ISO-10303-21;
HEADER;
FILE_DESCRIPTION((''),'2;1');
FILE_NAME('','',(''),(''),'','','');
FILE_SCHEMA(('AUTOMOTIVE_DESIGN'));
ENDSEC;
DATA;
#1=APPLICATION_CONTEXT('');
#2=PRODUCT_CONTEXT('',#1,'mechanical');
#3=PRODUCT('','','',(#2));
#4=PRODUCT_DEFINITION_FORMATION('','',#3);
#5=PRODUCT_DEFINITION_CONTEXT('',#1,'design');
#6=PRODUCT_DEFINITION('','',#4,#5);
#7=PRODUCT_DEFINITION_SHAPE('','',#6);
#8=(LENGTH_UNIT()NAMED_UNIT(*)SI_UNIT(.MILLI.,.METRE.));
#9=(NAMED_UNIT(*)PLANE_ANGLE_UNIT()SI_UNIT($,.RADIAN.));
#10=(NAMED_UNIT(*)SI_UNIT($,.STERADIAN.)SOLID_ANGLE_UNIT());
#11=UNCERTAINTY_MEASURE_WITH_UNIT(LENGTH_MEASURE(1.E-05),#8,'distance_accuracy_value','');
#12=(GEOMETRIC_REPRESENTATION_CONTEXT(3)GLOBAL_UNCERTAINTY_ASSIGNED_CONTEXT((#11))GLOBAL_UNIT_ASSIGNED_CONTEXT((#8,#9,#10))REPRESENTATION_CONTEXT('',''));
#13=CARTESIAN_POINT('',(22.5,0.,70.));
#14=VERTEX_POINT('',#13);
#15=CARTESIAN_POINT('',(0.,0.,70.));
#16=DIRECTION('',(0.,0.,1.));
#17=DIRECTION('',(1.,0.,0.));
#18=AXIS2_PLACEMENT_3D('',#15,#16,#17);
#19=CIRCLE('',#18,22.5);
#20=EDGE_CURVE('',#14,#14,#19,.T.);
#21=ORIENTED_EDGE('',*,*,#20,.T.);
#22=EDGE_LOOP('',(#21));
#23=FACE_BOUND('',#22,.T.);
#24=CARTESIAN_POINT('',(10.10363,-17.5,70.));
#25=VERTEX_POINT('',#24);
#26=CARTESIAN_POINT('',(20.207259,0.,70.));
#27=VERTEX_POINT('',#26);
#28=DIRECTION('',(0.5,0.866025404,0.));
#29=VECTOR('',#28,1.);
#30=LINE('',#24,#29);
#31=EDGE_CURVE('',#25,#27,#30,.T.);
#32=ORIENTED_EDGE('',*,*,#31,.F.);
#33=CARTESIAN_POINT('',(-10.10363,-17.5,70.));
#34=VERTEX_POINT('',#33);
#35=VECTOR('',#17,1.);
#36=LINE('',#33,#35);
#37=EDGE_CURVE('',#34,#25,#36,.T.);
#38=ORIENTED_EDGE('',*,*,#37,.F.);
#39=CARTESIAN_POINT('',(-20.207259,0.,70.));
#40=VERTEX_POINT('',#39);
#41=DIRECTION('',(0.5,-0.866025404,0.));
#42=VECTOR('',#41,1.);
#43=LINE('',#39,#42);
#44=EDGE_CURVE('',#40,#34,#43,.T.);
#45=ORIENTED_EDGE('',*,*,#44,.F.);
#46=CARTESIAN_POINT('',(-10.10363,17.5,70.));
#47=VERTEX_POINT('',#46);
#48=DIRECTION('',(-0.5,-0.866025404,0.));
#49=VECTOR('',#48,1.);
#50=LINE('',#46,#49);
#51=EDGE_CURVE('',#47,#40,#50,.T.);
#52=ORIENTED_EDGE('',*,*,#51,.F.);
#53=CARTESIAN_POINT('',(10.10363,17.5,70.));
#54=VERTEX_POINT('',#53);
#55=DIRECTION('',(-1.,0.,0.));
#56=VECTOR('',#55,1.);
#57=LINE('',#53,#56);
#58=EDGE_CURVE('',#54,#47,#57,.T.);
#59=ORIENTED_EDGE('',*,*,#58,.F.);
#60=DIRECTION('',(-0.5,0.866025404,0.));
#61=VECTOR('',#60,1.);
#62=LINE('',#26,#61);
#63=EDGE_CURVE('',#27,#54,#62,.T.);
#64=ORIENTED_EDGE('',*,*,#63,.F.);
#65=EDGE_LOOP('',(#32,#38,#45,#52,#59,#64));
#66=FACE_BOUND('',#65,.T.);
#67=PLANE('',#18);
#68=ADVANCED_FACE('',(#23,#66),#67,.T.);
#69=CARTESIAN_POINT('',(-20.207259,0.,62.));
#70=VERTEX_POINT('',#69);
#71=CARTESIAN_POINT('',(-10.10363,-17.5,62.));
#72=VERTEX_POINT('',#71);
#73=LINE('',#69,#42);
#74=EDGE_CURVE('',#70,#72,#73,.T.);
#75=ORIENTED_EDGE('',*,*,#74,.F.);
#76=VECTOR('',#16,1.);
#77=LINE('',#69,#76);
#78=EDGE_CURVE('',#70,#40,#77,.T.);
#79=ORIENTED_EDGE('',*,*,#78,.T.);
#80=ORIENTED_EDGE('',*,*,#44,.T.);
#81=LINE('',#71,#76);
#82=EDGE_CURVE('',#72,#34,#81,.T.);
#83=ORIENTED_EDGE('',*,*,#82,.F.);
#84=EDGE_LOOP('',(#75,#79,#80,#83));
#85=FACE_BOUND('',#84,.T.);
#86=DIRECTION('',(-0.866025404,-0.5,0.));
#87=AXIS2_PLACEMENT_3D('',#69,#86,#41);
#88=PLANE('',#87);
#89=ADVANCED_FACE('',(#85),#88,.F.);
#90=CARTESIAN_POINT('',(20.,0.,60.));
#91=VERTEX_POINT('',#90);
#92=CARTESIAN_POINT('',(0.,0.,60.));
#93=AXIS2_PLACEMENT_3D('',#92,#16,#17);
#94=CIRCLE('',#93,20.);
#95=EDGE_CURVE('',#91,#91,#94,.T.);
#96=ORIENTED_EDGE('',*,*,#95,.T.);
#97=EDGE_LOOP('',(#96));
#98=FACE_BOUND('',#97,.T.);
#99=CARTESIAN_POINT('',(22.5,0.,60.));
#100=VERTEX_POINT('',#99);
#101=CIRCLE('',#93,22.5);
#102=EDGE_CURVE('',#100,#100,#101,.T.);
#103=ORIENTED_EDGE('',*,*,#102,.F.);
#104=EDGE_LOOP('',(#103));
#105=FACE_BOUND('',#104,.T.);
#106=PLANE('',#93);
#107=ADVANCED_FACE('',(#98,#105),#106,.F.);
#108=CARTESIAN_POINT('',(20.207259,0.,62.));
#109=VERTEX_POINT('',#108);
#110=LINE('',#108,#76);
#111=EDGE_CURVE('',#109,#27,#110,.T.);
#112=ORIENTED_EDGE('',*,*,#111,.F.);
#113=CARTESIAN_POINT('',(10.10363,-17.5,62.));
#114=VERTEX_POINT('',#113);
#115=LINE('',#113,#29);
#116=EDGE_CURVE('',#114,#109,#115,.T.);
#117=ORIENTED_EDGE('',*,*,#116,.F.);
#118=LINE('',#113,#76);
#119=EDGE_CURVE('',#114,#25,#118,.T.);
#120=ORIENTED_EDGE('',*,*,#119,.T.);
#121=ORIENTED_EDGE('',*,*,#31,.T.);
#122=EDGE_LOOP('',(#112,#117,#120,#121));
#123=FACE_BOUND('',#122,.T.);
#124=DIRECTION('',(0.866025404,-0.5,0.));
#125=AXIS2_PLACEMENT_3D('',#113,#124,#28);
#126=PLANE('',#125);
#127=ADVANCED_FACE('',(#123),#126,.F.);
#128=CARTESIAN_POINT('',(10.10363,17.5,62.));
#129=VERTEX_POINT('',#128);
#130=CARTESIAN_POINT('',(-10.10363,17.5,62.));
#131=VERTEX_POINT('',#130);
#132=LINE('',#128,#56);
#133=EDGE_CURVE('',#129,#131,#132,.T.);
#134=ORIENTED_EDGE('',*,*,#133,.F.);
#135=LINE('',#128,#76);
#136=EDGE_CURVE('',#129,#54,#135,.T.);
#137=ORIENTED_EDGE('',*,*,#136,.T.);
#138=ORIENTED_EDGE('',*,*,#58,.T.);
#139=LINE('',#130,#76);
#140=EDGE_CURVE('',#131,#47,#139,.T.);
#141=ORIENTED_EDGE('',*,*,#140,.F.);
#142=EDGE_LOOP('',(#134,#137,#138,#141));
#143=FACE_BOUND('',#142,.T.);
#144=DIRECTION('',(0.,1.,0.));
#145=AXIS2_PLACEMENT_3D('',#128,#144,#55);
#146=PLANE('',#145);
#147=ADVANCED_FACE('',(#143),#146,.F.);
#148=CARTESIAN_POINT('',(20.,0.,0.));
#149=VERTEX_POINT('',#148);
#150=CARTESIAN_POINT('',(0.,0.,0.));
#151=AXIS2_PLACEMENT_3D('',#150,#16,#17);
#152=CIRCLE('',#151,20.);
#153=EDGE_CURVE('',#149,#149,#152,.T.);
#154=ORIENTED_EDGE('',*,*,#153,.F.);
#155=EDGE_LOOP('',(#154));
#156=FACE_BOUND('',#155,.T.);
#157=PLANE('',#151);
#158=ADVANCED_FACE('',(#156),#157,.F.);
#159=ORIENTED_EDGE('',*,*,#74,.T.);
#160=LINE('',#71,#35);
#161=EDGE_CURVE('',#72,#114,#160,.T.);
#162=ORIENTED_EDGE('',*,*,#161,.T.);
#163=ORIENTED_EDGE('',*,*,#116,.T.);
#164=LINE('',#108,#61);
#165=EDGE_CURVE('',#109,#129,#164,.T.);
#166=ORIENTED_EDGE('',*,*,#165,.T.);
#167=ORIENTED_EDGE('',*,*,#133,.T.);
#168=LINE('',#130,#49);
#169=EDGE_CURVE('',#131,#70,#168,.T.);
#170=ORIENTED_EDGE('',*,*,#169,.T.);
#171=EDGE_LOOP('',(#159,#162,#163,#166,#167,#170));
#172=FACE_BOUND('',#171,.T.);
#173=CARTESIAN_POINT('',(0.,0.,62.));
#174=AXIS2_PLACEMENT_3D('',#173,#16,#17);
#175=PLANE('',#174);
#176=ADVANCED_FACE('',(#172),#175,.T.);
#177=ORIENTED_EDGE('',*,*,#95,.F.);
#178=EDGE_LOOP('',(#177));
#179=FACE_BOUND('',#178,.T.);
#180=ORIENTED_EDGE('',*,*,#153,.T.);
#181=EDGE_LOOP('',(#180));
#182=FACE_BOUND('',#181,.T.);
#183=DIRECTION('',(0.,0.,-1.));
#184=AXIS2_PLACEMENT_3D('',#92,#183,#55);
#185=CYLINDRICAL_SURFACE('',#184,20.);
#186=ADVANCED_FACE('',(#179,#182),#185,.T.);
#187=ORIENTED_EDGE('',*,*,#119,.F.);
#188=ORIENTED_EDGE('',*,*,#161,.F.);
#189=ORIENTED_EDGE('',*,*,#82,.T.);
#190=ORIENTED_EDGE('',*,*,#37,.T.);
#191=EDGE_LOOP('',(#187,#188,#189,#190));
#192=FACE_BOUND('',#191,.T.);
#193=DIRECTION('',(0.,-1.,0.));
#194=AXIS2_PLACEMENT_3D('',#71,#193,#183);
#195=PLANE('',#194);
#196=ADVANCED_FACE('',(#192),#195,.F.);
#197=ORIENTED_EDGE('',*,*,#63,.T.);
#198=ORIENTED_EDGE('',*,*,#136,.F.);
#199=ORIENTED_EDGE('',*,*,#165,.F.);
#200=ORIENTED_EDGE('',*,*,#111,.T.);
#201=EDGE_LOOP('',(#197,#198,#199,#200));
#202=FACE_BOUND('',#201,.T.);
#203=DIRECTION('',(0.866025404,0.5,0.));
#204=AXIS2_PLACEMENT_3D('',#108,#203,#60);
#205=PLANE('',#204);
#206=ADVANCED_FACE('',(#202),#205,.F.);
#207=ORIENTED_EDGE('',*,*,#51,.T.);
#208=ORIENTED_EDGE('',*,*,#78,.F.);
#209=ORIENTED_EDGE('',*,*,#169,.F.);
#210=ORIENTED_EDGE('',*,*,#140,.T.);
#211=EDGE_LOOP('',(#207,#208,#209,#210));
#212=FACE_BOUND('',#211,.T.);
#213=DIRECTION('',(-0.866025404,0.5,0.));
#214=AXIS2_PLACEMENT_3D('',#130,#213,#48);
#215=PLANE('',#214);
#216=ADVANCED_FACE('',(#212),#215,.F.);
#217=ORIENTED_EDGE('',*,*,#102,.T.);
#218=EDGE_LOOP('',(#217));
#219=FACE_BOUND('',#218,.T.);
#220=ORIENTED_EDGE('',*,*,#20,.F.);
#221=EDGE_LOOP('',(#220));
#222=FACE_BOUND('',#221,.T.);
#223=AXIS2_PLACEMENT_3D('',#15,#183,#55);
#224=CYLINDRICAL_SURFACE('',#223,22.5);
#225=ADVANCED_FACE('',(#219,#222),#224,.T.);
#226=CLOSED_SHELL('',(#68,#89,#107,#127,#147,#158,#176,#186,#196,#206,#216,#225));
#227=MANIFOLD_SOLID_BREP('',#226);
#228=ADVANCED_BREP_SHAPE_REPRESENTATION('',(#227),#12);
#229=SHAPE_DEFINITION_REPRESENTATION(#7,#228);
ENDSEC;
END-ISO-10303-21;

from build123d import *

# Parameters (mm, degrees)
SKETCH1_R           = 20
BOSS_EXTRUDE1_DEPTH = 60
SKETCH2_R           = 22.5
BOSS_EXTRUDE2_DEPTH = 10
CUT_EXTRUDE1_DEPTH  = 8


with BuildPart() as part:
    # Sketch1 → Boss-Extrude1 (new body)
    with BuildSketch(Plane.XY):
        Circle(SKETCH1_R)
    extrude(amount=BOSS_EXTRUDE1_DEPTH)

    # Sketch2 → Boss-Extrude2 (add)
    with BuildSketch(Plane.XY.offset(60)):
        Circle(SKETCH2_R)
    extrude(amount=BOSS_EXTRUDE2_DEPTH)

    # Sketch3 → Cut-Extrude1 (cut)
    with BuildSketch(Plane.XY.offset(70)):
        Polygon((-20.207259422, 0), (-10.103629711, -17.5), (10.103629711, -17.5), (20.207259422, 0), (10.103629711, 17.5), (-10.103629711, 17.5), align=None)
    extrude(amount=-CUT_EXTRUDE1_DEPTH, mode=Mode.SUBTRACT)


solid = part.part
